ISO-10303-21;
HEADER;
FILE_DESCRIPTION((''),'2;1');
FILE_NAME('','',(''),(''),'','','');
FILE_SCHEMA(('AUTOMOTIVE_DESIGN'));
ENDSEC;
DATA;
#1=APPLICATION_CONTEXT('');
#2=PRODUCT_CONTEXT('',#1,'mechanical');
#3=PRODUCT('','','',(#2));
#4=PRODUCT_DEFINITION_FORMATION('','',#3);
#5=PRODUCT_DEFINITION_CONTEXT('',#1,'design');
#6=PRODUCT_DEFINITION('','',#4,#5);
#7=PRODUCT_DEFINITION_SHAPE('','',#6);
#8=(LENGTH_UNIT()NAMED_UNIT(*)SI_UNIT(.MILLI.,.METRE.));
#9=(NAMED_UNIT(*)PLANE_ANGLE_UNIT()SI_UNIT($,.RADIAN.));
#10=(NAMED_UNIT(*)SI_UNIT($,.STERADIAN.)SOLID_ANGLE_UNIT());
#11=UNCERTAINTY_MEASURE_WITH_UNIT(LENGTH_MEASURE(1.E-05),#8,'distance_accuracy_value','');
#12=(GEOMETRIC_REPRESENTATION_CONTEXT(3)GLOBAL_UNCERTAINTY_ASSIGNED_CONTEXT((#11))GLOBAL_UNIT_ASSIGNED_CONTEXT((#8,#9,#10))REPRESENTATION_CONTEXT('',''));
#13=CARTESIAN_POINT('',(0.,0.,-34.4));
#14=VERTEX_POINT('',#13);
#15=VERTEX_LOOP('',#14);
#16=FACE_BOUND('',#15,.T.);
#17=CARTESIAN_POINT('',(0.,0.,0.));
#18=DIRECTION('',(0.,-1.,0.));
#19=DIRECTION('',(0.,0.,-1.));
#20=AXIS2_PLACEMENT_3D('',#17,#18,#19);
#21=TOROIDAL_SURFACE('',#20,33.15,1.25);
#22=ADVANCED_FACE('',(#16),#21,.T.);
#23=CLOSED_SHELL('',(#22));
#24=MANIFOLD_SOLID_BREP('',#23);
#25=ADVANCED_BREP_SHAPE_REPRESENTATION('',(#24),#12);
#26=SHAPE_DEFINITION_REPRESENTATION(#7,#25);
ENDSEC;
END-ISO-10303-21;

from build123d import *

# Parameters (mm, degrees)
CROQUIS1_R = 1.25


with BuildPart() as part:
    # Croquis1 → Revolución1 (revolve)
    with BuildSketch(Plane.XY, mode=Mode.PRIVATE) as revoluci_n1_sk:
        with Locations((33.15, 0)):
            Circle(CROQUIS1_R)
    revolve(revoluci_n1_sk.sketch.rotate(Axis((0, 0, 0), (0, 1, 0)), 90), axis=Axis((0, 0, 0), (0, 1, 0)))


solid = part.part
